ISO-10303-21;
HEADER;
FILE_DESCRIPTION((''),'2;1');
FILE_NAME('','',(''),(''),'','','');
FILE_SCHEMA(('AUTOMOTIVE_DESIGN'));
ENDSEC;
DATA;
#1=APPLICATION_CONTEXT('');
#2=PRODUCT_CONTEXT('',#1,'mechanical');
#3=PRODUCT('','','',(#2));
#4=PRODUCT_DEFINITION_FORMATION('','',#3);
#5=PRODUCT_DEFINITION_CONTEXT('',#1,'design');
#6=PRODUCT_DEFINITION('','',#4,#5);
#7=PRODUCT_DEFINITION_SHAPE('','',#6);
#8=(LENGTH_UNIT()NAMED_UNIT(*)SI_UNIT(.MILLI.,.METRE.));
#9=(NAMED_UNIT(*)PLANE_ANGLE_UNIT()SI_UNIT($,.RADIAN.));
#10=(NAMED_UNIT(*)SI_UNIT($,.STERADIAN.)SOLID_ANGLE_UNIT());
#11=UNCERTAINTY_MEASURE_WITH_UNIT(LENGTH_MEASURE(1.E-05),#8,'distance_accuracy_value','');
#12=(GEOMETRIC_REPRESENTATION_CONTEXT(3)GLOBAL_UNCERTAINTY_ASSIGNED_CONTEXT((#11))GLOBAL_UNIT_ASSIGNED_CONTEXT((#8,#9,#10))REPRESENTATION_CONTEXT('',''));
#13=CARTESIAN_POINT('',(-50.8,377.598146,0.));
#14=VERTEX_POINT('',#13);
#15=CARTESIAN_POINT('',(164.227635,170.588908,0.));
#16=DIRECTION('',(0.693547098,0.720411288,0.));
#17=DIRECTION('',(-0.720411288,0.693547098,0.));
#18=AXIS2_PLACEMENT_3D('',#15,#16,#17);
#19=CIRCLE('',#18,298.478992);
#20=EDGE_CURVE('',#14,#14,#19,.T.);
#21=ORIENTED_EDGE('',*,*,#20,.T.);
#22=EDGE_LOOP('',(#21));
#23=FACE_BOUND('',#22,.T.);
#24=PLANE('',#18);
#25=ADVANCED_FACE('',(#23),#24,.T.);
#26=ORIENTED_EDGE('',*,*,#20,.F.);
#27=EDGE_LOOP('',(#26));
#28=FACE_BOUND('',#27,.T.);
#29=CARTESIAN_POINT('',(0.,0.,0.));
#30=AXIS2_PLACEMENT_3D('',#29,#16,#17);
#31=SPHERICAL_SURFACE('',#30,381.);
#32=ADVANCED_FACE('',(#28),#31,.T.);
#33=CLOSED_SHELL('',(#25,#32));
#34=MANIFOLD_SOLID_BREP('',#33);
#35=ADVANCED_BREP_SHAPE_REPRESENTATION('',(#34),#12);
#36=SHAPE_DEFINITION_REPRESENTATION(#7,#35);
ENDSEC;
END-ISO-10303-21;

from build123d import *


with BuildPart() as part:
    # Sketch2 → Revolve1 (revolve)
    with BuildSketch(Plane(origin=(0, 0, 0), x_dir=(1, 0, 0), z_dir=(0, 1, 0))):
        with BuildLine():
            Line((-381, 0), (381, 0))
            ThreePointArc((381, 0), (0, 381), (-381, 0))
        make_face()
    revolve(axis=Axis((-381, 0, 0), (1, 0, 0)))

    # SurfaceCut1
    split(bisect_by=Plane(origin=(164.227634794, 170.588907734, 0), x_dir=(-0.7204112876391361, 0.6935470976380205, 0), z_dir=(0.6935470976380205, 0.7204112876391361, 0)), keep=Keep.BOTTOM)


solid = part.part
